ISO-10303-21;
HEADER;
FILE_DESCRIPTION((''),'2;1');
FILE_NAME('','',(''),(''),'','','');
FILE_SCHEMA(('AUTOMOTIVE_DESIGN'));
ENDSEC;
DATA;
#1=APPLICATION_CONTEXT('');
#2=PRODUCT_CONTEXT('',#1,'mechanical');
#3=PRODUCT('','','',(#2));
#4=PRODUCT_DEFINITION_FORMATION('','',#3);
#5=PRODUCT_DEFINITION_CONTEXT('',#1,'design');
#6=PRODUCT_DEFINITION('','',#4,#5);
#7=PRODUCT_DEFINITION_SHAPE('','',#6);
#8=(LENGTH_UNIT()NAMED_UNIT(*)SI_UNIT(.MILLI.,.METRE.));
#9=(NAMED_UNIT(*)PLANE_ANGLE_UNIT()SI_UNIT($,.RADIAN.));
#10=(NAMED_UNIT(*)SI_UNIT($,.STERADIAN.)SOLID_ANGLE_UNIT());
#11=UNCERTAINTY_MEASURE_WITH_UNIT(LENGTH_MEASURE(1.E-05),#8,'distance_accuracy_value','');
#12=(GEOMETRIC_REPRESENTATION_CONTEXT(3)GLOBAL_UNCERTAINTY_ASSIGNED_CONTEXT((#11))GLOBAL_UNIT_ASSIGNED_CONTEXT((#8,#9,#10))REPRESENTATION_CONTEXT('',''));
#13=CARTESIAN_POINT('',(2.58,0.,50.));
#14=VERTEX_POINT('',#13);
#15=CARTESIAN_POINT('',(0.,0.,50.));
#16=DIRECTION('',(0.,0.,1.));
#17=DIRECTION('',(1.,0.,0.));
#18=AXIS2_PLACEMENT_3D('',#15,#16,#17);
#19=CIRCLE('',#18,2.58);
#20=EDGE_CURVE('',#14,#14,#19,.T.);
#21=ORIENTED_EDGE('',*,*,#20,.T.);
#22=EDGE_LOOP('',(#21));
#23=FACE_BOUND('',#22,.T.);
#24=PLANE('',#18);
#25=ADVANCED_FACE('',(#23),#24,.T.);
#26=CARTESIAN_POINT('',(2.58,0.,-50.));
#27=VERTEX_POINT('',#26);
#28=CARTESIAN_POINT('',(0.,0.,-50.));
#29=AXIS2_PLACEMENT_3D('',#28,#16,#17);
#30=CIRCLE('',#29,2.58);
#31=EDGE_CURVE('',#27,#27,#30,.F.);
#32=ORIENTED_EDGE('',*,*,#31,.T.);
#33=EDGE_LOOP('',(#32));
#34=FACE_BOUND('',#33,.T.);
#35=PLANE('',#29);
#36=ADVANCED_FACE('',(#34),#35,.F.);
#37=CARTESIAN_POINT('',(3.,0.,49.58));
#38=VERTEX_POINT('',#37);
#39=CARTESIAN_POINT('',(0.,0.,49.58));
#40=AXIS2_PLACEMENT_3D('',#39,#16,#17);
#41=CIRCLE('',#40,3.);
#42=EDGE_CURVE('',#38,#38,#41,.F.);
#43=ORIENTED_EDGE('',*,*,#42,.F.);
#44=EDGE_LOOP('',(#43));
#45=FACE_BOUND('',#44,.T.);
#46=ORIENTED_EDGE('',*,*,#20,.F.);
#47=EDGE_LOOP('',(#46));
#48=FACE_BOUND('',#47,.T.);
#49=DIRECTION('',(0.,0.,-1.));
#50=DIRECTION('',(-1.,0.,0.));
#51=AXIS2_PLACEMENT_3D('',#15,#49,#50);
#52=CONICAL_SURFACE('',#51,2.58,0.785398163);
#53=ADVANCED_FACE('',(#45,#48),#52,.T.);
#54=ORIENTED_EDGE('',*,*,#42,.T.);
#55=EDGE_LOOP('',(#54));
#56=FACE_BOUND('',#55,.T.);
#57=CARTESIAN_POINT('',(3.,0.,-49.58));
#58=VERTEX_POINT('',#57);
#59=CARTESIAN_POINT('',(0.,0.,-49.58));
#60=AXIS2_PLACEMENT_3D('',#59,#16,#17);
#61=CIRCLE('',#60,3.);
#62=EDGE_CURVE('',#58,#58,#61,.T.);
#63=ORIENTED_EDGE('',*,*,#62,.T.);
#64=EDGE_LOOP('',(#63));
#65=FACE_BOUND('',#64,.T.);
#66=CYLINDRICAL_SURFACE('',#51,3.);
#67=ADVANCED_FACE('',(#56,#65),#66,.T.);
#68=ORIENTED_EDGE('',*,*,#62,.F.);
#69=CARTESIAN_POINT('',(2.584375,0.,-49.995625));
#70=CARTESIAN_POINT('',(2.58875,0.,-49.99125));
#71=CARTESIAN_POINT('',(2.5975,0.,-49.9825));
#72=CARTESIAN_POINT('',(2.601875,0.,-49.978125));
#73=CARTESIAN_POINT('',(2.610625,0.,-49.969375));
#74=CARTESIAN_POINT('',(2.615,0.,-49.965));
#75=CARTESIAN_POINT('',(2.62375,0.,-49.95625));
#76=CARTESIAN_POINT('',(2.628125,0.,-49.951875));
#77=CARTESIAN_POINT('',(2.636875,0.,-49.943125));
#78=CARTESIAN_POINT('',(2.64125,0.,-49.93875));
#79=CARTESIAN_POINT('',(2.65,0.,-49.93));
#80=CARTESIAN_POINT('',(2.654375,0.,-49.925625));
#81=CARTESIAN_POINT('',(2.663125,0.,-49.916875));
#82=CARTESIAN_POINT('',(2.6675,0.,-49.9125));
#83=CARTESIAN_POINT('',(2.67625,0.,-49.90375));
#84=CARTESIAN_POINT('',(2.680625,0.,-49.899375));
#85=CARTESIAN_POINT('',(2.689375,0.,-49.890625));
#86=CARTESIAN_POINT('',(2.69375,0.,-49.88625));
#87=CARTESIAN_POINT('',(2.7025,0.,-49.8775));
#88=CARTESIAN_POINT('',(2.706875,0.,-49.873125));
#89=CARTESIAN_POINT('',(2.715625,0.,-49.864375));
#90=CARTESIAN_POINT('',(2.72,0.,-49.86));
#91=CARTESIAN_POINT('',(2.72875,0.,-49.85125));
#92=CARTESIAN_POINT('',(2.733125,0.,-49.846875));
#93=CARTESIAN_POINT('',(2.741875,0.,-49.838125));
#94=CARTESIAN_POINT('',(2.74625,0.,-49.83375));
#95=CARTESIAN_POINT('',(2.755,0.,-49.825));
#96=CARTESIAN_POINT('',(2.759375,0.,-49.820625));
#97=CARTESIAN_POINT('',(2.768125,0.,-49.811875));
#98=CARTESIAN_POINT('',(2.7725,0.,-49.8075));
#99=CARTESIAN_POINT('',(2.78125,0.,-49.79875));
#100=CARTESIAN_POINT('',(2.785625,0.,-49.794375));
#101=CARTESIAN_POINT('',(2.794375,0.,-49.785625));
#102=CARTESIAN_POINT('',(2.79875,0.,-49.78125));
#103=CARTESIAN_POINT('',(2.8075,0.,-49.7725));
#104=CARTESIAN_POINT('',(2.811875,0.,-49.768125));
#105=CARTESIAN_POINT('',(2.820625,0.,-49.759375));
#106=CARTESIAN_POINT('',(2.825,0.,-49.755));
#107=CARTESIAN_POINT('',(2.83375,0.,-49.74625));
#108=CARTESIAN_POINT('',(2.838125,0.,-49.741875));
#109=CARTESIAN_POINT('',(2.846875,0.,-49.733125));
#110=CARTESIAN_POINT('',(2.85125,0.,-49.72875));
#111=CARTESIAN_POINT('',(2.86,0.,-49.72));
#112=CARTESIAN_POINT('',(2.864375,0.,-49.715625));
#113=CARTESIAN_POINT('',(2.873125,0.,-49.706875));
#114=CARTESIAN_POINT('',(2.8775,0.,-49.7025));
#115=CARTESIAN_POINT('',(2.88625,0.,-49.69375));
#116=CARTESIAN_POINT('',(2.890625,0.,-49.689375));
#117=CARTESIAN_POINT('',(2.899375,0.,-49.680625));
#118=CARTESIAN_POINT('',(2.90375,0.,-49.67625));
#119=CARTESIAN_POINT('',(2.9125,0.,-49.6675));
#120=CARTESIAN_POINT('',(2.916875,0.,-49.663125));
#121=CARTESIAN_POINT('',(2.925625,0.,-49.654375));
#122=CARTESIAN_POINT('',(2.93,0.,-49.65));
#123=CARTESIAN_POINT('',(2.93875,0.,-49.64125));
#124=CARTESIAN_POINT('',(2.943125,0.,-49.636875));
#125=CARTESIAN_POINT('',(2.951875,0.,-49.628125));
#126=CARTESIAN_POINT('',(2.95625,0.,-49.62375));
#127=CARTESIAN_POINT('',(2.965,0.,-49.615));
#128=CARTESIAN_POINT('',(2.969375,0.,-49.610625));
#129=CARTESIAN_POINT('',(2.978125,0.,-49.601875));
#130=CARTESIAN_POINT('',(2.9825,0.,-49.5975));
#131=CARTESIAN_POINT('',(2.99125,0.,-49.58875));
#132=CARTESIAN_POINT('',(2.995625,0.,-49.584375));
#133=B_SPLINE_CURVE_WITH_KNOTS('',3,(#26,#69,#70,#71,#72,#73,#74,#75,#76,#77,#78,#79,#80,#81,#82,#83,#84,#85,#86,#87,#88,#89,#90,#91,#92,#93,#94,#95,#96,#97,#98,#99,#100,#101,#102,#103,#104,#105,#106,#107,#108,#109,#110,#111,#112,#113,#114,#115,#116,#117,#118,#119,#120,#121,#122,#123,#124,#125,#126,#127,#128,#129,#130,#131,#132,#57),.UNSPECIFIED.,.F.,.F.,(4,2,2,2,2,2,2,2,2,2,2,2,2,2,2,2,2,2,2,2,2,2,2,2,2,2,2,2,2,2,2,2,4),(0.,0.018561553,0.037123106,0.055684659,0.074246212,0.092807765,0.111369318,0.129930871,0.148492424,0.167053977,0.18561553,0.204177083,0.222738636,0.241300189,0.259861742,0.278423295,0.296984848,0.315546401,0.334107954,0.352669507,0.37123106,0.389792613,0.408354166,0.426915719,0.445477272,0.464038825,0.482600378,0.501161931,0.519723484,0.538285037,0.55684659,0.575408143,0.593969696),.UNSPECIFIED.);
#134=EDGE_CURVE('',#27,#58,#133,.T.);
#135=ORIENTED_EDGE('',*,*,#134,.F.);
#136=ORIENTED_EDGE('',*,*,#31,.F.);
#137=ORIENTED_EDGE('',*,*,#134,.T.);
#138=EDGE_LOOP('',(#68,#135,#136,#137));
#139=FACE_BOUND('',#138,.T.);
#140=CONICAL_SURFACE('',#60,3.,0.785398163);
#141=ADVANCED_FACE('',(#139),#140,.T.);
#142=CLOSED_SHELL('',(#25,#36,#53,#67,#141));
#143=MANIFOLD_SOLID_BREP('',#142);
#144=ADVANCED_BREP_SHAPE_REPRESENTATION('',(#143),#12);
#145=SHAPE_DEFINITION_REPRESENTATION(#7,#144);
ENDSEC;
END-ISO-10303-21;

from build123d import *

# Parameters (mm, degrees)
BOSS_EXTRUDE1_DEPTH      = 50
BOSS_EXTRUDE1_DEPTH_BACK = 50
SKETCH3_R                = 3
CHAMFER1_SIZE            = 0.42


with BuildPart() as part:
    # Sketch3 → Boss-Extrude1 (new, two sides: drawn at the far end of the back side and taken through both)
    with BuildSketch(Plane.XY.offset(-BOSS_EXTRUDE1_DEPTH_BACK)):
        Circle(SKETCH3_R)
    extrude(amount=BOSS_EXTRUDE1_DEPTH + BOSS_EXTRUDE1_DEPTH_BACK)

    # Chamfer1
    chamfer1_edges = [part.edges().sort_by_distance(p)[0] for p in [
        (-3, 0, -50),
        (-3, 0, 50),
    ]]
    chamfer(chamfer1_edges, length=CHAMFER1_SIZE)


solid = part.part
